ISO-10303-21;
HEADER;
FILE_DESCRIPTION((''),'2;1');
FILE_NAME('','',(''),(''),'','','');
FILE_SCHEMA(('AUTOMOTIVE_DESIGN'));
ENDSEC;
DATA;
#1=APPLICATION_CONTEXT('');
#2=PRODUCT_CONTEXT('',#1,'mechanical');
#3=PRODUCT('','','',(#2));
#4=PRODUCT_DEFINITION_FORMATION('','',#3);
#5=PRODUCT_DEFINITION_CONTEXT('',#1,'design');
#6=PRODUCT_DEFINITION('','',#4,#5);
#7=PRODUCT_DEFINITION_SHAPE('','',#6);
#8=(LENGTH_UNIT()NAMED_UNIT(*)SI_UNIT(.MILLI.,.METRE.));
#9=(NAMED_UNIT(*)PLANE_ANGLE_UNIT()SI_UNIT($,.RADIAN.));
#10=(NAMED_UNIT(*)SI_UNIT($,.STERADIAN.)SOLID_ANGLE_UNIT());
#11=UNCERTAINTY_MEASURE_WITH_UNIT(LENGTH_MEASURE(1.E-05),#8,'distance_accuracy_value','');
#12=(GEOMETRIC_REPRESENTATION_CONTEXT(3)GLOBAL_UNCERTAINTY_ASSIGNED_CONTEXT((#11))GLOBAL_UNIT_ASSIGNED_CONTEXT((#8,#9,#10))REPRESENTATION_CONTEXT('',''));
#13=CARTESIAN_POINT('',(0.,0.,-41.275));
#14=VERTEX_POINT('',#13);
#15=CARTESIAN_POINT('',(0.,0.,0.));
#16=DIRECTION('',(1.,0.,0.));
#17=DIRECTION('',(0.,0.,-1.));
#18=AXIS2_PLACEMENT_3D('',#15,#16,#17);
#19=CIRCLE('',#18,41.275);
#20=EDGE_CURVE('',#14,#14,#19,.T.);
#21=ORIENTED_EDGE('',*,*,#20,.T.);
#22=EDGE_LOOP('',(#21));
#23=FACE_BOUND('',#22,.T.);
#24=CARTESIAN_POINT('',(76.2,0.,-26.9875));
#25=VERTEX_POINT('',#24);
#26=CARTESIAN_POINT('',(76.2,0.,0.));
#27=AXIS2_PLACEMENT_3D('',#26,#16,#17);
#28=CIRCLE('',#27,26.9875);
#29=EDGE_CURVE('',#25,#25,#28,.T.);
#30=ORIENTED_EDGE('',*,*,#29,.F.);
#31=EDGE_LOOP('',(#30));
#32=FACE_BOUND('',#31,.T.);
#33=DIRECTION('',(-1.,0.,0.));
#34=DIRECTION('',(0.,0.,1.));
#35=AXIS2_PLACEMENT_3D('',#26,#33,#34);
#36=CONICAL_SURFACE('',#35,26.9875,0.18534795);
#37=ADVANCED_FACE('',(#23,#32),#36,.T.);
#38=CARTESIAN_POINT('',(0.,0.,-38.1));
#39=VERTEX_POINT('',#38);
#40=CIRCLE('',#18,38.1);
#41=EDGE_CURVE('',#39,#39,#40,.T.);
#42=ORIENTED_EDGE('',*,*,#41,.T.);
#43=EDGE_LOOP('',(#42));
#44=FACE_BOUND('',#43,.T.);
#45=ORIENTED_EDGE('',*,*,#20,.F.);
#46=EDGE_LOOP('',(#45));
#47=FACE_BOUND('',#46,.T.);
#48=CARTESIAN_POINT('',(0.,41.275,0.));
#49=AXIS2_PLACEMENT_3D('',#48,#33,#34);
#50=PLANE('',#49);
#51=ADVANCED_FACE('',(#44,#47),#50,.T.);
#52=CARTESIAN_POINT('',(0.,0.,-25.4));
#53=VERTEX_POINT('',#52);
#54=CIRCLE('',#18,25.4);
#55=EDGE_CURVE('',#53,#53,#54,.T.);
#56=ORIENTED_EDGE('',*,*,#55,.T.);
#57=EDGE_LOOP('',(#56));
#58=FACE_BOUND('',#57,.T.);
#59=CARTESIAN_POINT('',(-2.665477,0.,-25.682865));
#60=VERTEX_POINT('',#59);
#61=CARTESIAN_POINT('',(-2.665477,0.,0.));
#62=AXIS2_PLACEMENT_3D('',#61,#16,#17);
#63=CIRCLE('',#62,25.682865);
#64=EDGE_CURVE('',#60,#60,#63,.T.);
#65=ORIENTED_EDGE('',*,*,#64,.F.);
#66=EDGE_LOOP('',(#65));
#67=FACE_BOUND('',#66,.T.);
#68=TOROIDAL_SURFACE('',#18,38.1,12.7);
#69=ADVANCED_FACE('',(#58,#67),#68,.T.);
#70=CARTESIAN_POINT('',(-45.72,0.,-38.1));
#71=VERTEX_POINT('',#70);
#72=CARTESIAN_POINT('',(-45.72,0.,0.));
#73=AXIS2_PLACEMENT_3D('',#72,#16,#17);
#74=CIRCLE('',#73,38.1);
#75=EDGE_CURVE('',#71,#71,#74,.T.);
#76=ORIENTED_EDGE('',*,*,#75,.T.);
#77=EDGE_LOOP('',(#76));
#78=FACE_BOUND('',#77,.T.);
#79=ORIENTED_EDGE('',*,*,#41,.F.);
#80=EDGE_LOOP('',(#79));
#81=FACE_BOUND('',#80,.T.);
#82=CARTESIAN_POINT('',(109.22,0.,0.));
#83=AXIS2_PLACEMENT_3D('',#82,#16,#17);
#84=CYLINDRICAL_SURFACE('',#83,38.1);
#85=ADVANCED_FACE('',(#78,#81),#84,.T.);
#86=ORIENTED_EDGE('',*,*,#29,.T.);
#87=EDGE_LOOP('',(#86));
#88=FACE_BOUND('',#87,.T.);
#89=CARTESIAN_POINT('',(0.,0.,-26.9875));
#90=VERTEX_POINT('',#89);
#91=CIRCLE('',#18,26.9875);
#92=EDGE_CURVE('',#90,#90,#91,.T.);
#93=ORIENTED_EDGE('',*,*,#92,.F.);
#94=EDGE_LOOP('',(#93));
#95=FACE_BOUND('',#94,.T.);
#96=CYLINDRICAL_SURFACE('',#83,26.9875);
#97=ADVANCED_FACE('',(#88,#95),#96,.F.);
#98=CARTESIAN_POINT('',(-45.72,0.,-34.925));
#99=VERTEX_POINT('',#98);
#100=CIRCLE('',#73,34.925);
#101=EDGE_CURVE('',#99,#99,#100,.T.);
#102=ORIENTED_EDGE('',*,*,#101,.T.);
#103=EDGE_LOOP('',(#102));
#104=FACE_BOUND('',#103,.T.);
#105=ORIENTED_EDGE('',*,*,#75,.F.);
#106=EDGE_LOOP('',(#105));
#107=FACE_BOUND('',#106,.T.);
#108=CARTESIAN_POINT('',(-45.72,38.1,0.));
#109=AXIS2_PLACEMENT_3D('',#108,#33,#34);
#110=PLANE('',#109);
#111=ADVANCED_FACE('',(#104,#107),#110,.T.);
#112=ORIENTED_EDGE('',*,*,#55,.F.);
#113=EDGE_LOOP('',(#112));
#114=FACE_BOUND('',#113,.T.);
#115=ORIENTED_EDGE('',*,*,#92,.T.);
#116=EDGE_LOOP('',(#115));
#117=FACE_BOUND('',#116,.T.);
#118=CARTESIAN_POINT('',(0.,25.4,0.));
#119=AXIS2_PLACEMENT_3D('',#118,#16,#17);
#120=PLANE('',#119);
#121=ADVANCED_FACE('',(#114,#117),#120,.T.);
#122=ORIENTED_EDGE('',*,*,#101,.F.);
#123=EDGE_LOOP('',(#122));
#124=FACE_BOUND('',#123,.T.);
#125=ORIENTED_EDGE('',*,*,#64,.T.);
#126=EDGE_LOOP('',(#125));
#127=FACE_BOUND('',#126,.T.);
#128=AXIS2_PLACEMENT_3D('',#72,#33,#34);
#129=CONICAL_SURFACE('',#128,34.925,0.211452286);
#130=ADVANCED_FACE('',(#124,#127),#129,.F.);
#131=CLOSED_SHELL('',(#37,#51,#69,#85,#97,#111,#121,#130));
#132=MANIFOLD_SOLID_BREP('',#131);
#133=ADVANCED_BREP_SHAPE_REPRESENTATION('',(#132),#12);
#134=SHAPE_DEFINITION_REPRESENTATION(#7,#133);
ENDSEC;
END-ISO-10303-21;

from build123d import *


with BuildPart() as part:
    # Sketch2 → Revolve1 (revolve)
    with BuildSketch(Plane.XY, mode=Mode.PRIVATE) as revolve1_sk:
        with BuildLine():
            Line((0, 26.9875), (76.2, 26.9875))
            Line((76.2, 26.9875), (0, 41.275))
            Line((0, 41.275), (0, 38.1))
            Line((0, 38.1), (-45.72, 38.1))
            Line((-45.72, 38.1), (-45.72, 34.925))
            Line((-45.72, 34.925), (-2.665476758, 25.68286532))
            ThreePointArc((-2.665476758, 25.68286532), (-1.340221916, 25.470914316), (0, 25.4))
            Line((0, 25.4), (0, 26.9875))
        make_face()
    revolve(revolve1_sk.sketch.rotate(Axis((109.22, 0, 0), (-1, 0, 0)), 90), axis=Axis((109.22, 0, 0), (-1, 0, 0)))


solid = part.part
